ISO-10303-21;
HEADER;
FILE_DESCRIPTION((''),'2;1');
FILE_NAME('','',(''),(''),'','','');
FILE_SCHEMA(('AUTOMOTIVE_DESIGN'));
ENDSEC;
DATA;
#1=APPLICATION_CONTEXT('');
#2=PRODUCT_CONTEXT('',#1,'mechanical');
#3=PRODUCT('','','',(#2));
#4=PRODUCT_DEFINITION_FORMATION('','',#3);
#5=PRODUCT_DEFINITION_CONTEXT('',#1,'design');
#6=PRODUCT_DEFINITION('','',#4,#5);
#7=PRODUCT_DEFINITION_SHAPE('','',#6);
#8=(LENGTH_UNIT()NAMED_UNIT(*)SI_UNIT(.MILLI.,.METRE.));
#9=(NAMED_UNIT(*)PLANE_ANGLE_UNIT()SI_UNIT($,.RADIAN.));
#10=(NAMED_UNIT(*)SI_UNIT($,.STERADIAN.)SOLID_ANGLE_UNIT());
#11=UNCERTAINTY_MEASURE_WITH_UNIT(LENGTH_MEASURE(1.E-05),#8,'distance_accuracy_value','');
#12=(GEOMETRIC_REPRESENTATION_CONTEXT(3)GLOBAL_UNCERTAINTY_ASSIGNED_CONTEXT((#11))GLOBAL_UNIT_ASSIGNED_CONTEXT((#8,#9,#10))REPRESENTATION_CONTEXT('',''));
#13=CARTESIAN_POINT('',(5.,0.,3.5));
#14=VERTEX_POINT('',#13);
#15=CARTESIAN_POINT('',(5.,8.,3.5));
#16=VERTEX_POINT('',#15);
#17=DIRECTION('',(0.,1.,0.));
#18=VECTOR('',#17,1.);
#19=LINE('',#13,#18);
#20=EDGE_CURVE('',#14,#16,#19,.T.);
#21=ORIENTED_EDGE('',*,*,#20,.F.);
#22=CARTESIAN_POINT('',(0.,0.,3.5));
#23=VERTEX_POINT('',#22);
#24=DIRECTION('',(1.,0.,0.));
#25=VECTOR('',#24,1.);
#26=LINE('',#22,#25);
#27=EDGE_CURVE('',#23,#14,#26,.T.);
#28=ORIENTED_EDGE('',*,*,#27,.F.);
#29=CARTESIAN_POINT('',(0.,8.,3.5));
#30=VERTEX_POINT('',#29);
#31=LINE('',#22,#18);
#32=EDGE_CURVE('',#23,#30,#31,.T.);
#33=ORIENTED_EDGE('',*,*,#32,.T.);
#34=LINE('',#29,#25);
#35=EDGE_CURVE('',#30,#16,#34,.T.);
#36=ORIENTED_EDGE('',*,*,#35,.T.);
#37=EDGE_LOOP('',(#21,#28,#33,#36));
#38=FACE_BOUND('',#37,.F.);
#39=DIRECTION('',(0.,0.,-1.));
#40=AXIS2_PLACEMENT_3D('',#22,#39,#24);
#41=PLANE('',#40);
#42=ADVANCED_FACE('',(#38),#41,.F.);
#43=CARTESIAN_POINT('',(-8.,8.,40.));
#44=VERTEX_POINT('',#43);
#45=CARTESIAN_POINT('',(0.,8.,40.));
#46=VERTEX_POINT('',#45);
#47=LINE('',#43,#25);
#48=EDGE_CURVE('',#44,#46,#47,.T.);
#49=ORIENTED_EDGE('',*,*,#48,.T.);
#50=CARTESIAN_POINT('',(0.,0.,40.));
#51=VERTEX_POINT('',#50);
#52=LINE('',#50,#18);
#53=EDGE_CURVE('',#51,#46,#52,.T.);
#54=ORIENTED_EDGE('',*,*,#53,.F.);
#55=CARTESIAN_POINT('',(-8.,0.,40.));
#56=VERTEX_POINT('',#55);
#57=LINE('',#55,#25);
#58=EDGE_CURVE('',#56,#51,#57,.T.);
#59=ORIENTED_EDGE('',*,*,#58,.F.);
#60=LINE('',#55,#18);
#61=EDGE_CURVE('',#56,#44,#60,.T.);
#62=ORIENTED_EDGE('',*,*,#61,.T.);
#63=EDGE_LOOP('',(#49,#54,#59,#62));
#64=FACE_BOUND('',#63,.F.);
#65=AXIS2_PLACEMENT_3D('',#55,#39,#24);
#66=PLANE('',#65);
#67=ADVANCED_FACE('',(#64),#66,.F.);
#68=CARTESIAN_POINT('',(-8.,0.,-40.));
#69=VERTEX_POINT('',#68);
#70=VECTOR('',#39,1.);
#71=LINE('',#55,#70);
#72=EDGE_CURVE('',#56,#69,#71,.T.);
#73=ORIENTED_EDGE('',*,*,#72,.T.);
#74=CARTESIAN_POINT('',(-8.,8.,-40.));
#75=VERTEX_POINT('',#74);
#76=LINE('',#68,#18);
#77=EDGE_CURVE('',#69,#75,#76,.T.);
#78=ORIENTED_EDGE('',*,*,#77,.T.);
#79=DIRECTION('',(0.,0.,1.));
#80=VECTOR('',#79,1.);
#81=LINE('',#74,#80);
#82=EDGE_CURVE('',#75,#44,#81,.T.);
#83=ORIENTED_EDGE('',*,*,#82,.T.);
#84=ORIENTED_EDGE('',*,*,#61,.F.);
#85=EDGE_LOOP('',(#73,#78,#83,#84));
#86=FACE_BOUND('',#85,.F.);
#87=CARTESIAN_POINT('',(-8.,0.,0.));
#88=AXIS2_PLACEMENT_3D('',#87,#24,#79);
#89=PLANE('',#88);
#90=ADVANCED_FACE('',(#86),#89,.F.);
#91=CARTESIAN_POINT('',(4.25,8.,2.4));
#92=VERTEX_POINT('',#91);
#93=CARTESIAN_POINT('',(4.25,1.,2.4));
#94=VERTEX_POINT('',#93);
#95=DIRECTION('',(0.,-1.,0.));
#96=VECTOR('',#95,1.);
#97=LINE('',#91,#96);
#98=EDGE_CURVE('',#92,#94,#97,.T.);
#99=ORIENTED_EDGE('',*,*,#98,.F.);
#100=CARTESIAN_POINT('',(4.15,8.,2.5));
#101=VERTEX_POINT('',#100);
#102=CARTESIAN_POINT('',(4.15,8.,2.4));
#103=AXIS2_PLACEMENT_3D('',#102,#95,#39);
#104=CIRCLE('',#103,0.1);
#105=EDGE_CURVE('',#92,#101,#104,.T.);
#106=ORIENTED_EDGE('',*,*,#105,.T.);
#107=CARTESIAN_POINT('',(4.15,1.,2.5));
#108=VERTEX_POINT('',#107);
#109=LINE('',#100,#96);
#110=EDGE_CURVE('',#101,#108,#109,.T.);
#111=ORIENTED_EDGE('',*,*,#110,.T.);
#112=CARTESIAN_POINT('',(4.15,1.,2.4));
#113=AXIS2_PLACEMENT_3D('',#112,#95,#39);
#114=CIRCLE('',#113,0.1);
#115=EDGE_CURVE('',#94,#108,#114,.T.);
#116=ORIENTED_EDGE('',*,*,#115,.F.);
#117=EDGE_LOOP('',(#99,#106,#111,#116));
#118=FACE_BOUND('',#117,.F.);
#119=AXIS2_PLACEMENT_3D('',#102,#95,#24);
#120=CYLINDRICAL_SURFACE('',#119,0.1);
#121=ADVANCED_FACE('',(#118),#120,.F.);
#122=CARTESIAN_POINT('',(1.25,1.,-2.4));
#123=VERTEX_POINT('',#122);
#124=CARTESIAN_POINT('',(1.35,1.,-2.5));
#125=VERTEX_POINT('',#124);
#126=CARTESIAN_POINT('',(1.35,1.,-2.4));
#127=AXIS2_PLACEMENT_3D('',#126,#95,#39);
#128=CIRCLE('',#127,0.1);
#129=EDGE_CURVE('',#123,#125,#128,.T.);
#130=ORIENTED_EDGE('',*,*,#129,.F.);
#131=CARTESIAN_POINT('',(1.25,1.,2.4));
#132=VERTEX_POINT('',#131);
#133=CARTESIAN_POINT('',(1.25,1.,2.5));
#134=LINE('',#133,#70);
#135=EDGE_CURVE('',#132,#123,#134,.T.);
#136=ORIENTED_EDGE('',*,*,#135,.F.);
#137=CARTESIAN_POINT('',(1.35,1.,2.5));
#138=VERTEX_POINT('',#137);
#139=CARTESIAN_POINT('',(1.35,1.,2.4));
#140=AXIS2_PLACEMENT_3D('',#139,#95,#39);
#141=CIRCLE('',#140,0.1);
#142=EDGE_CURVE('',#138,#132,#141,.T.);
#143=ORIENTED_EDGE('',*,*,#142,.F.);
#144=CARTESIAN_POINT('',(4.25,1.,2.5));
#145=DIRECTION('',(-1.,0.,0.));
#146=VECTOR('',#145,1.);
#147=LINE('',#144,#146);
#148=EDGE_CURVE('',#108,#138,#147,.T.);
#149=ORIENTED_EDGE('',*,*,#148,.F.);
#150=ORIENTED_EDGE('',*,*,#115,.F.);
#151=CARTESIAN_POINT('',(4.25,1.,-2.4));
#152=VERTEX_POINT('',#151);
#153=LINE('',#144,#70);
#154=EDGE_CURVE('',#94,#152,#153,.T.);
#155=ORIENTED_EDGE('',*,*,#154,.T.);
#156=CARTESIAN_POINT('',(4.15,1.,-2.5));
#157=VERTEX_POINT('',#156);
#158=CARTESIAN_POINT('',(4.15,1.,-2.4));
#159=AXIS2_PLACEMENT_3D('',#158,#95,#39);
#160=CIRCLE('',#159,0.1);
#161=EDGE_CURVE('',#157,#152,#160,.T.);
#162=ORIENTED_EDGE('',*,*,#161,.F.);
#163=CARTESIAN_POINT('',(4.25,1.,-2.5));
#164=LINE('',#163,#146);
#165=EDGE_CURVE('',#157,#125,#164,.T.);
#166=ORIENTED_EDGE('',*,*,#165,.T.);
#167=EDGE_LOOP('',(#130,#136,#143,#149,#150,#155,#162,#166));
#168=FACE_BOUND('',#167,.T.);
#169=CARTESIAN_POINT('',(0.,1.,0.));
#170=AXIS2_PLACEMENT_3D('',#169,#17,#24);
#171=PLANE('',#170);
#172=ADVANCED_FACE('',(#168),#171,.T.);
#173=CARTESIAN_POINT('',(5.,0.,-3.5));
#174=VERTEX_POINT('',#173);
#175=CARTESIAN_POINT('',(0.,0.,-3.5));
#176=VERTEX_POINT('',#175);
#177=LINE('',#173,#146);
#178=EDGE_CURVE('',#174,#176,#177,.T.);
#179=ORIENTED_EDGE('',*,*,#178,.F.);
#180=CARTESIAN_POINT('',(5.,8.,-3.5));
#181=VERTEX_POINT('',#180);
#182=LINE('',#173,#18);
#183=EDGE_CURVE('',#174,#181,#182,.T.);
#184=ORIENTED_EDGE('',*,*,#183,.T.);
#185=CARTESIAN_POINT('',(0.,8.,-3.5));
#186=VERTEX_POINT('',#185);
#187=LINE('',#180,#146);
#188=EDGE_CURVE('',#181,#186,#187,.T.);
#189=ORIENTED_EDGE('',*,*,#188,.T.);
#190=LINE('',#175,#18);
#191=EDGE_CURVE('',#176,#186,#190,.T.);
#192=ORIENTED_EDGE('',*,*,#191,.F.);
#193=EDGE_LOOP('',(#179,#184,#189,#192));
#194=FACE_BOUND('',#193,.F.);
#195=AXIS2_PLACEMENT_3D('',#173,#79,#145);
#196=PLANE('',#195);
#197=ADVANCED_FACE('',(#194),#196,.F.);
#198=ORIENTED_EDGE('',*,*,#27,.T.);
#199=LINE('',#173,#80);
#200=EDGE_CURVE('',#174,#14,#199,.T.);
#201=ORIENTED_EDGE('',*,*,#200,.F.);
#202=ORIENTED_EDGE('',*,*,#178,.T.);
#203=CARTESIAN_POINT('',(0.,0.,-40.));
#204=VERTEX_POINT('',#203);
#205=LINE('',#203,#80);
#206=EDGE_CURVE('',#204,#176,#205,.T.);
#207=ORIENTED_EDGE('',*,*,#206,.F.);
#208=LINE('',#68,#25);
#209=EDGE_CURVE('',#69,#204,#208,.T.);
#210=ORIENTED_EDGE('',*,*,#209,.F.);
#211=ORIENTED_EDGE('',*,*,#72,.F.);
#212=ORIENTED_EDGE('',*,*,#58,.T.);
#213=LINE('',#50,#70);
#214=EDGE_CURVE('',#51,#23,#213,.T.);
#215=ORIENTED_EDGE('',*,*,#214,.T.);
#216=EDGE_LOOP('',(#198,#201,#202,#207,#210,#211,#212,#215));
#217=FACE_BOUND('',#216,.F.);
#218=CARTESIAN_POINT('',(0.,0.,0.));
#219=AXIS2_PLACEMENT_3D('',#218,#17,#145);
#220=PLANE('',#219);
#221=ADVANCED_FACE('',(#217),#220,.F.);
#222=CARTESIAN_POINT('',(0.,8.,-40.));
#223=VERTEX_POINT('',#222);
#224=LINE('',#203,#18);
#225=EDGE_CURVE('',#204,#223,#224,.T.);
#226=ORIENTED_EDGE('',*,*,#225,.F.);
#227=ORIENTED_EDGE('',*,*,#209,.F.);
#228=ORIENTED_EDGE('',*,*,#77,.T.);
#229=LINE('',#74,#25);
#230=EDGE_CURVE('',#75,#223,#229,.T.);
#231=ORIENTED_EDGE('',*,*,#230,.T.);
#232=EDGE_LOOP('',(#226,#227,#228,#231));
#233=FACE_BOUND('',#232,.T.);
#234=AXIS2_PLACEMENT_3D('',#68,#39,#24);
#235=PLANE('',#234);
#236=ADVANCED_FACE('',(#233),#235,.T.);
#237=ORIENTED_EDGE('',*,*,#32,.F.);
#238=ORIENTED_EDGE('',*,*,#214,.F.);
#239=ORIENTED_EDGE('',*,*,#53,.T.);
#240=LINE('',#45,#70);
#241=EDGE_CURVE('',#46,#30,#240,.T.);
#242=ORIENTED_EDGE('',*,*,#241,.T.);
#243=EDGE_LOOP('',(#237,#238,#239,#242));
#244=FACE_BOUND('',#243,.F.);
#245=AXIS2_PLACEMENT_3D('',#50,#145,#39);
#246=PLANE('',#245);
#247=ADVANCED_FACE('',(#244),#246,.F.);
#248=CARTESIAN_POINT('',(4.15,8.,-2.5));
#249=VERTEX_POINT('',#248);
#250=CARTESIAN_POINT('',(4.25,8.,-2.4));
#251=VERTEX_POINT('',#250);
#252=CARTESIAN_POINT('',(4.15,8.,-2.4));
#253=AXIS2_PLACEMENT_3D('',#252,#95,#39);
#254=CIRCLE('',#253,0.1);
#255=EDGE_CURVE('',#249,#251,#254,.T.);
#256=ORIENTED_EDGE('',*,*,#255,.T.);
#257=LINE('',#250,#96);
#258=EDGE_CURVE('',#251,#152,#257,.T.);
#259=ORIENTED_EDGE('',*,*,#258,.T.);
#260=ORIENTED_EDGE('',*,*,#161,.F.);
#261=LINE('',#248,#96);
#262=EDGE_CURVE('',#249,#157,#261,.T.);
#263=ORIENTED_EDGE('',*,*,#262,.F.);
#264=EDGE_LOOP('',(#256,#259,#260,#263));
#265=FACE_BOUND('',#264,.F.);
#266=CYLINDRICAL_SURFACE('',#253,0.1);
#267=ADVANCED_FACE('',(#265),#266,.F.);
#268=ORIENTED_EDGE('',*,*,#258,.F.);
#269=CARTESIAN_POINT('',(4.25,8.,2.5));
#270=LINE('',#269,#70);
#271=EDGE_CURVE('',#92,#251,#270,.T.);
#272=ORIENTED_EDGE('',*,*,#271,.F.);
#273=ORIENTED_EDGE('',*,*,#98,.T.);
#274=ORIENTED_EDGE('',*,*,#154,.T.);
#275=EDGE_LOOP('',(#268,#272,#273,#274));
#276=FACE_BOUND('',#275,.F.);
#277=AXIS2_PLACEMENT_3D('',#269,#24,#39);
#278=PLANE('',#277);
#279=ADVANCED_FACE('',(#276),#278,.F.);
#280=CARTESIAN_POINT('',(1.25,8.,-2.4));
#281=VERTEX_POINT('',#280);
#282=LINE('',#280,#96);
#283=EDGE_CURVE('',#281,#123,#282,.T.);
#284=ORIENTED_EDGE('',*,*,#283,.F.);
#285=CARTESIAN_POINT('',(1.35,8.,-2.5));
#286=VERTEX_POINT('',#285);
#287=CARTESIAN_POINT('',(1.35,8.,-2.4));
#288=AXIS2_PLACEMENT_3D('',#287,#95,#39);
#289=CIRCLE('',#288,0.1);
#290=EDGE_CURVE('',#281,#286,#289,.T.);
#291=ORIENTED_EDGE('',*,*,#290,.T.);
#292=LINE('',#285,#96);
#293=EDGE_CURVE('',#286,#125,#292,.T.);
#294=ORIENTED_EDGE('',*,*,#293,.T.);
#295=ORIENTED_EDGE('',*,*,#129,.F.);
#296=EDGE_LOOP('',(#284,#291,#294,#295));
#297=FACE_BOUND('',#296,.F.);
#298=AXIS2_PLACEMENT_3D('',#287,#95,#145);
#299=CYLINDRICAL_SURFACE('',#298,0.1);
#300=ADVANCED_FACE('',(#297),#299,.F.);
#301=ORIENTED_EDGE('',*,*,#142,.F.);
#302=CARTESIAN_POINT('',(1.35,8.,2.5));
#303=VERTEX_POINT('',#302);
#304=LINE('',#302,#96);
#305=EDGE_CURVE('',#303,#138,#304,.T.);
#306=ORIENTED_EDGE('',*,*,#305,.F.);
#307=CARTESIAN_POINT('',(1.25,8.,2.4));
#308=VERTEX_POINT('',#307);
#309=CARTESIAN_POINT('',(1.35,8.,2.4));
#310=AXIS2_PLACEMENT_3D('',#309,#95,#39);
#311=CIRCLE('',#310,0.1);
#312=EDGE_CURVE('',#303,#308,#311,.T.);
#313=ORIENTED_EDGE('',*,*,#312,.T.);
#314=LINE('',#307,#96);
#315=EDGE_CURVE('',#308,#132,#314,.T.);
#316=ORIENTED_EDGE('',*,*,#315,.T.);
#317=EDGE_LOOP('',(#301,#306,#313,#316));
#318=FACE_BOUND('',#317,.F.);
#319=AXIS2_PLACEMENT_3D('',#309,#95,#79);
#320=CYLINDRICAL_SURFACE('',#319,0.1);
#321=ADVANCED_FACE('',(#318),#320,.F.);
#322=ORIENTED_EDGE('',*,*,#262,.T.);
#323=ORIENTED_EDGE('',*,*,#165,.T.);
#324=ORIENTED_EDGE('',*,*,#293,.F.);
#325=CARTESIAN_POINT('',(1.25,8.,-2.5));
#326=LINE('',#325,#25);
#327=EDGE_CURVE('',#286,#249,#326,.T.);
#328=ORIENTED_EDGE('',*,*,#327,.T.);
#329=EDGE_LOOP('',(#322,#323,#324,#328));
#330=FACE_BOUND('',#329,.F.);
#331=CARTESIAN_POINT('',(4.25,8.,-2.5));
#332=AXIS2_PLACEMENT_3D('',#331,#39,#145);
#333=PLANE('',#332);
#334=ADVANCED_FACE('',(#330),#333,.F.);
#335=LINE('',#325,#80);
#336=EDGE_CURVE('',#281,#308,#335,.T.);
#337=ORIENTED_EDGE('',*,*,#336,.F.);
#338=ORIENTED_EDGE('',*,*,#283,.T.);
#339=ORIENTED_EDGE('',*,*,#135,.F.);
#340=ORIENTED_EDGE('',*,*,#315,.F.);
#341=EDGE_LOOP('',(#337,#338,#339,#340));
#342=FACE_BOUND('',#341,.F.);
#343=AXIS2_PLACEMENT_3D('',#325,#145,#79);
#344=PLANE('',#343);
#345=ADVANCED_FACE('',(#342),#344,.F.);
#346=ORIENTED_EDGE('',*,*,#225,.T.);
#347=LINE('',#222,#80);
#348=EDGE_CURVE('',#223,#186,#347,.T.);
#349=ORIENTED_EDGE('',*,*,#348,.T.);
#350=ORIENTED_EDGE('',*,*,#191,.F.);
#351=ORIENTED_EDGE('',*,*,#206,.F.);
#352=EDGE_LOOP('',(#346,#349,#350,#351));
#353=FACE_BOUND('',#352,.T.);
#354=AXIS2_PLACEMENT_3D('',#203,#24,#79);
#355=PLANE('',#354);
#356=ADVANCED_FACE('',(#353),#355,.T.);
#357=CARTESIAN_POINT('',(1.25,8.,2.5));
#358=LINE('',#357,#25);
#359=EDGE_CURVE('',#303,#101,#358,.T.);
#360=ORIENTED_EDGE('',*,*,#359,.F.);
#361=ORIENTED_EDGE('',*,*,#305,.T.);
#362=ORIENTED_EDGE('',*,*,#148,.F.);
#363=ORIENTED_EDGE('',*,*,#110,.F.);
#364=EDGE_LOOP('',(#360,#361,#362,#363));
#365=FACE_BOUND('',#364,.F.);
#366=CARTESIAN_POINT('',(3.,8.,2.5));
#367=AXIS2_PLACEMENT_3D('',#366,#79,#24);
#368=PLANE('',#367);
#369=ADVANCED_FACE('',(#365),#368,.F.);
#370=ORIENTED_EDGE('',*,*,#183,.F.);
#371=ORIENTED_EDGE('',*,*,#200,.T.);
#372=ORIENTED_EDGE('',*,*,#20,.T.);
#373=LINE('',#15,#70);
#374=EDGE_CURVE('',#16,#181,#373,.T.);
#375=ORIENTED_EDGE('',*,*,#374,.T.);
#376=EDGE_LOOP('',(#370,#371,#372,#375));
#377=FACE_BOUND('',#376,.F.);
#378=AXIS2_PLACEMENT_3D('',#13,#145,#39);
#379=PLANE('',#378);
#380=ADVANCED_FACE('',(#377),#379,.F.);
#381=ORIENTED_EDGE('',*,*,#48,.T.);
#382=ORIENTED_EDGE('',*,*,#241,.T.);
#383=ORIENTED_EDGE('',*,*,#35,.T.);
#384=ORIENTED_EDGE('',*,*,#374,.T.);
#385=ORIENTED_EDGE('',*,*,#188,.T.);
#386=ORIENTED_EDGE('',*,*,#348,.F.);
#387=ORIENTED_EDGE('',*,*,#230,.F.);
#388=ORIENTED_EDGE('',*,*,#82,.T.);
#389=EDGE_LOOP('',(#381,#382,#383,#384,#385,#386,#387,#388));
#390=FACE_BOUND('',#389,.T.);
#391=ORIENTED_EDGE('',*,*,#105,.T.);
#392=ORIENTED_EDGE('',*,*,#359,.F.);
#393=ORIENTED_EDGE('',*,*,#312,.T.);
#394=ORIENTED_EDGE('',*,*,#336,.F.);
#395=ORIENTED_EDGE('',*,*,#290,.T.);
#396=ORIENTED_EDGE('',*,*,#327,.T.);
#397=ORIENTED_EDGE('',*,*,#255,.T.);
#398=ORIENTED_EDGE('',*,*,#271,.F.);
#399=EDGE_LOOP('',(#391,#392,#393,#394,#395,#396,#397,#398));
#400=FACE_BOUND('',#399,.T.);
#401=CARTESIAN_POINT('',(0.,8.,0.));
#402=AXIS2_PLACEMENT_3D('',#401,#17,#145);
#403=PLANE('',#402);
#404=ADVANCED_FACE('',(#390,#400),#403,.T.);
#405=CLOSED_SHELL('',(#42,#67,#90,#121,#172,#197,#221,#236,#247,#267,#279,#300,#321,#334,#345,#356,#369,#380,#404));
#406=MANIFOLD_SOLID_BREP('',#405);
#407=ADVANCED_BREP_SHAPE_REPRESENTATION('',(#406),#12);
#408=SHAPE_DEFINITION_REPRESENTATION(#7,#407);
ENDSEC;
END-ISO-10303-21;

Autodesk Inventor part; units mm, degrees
ref_plane "YZ Plane" through (0, 0, 0) normal (1, 0, 0) x (0, 1, 0)
ref_plane "XZ Plane" through (0, 0, 0) normal (0, 1, 0) x (-1, 0, 0)
ref_plane "XY Plane" through (0, 0, 0) normal (0, 0, 1) x (1, 0, 0)
sketch "Esquisse1" plane through (0, 0, 0) normal (0, 1, 0) x (-1, 0, 0)
  line L0 (0, 0) -> (8, 0)
  line L1 (8, 0) -> (8, -40)
  line L2 (8, -40) -> (0, -40)
  line L3 (0, -40) -> (0, 0)
  line L4 (0, 0) -> (8, 0)
  line L5 (8, 0) -> (8, 40)
  line L6 (8, 40) -> (0, 40)
  line L7 (0, 40) -> (0, 0)
  line L8 (0, 3.5) -> (-5, 3.5)
  line L9 (-5, 3.5) -> (-5, 0)
  line L10 (-5, 0) -> (0, 0)
  line L11 (0, 0) -> (0, 3.5)
  line L12 (-5, -3.5) -> (0, -3.5)
  line L13 (0, -3.5) -> (0, 0)
  line L14 (0, 0) -> (-5, 0)
  line L15 (-5, 0) -> (-5, -3.5)
  dimension "d0" = 40
  dimension "d1" = 40
  dimension "d2" = 8
  dimension "d3" = 8
  dimension "d4" = 3.5
  dimension "d5" = 3.5
  dimension "d6" = 5
  dimension "d7" = 5
extrude "Extrusion1" add sketch "Esquisse1" along normal blind 8
sketch "Esquisse2" plane through (0, 8, 0) normal (0, 1, 0) x (1, 0, 0)
  line L0 (4.25, 2.5) -> (1.25, 2.5)
  line L1 (1.25, 2.5) -> (1.25, -2.5)
  line L2 (1.25, -2.5) -> (4.25, -2.5)
  line L3 (4.25, -2.5) -> (4.25, 2.5)
  line L4 (0, 0) -> (3, 0)
  line L5 (3, -10) -> (3, 10)
  line L6 (1.25, -2.5) -> (4.25, 2.5)
  line L7 (4.25, 2.5) -> (1.25, 2.5)
  line L8 (4.25, -2.5) -> (1.25, 2.5)
  line L9 (-8, 40) -> (-8, -40) projected
  line L10 (0, 3.5) -> (0, 40) projected
  line L11 (0, 40) -> (-8, 40) projected
  line L12 (0, 40) -> (-8, 40)
  line L13 (-5.5, -39.9859) -> (-4, 40)
  line L14 (0, 0) -> (-4.75, 0.007)
  point P0 (4.25, 0)
  point P1 (2.75, 0)
  dimension "d7" = 5
  dimension "d15" = 0
  dimension "d10" = 5
  dimension "d11" = 3
  dimension "d33" = 40
  dimension "d34" = 2.5
  dimension "d35" = 7.5
extrude "Extrusion2" cut sketch "Esquisse2" against normal blind 7
fillet "Congé1" radius 0.1 1 edges at (1.25, 4.5, -2.5)
fillet "Congé2" radius 0.1 1 edges at (4.25, 4.5, -2.5)
fillet "Congé3" radius 0.1 1 edges at (4.25, 4.5, 2.5)
fillet "Congé4" radius 0.1 1 edges at (1.25, 4.5, 2.5)
properties part number "helicoptere"
